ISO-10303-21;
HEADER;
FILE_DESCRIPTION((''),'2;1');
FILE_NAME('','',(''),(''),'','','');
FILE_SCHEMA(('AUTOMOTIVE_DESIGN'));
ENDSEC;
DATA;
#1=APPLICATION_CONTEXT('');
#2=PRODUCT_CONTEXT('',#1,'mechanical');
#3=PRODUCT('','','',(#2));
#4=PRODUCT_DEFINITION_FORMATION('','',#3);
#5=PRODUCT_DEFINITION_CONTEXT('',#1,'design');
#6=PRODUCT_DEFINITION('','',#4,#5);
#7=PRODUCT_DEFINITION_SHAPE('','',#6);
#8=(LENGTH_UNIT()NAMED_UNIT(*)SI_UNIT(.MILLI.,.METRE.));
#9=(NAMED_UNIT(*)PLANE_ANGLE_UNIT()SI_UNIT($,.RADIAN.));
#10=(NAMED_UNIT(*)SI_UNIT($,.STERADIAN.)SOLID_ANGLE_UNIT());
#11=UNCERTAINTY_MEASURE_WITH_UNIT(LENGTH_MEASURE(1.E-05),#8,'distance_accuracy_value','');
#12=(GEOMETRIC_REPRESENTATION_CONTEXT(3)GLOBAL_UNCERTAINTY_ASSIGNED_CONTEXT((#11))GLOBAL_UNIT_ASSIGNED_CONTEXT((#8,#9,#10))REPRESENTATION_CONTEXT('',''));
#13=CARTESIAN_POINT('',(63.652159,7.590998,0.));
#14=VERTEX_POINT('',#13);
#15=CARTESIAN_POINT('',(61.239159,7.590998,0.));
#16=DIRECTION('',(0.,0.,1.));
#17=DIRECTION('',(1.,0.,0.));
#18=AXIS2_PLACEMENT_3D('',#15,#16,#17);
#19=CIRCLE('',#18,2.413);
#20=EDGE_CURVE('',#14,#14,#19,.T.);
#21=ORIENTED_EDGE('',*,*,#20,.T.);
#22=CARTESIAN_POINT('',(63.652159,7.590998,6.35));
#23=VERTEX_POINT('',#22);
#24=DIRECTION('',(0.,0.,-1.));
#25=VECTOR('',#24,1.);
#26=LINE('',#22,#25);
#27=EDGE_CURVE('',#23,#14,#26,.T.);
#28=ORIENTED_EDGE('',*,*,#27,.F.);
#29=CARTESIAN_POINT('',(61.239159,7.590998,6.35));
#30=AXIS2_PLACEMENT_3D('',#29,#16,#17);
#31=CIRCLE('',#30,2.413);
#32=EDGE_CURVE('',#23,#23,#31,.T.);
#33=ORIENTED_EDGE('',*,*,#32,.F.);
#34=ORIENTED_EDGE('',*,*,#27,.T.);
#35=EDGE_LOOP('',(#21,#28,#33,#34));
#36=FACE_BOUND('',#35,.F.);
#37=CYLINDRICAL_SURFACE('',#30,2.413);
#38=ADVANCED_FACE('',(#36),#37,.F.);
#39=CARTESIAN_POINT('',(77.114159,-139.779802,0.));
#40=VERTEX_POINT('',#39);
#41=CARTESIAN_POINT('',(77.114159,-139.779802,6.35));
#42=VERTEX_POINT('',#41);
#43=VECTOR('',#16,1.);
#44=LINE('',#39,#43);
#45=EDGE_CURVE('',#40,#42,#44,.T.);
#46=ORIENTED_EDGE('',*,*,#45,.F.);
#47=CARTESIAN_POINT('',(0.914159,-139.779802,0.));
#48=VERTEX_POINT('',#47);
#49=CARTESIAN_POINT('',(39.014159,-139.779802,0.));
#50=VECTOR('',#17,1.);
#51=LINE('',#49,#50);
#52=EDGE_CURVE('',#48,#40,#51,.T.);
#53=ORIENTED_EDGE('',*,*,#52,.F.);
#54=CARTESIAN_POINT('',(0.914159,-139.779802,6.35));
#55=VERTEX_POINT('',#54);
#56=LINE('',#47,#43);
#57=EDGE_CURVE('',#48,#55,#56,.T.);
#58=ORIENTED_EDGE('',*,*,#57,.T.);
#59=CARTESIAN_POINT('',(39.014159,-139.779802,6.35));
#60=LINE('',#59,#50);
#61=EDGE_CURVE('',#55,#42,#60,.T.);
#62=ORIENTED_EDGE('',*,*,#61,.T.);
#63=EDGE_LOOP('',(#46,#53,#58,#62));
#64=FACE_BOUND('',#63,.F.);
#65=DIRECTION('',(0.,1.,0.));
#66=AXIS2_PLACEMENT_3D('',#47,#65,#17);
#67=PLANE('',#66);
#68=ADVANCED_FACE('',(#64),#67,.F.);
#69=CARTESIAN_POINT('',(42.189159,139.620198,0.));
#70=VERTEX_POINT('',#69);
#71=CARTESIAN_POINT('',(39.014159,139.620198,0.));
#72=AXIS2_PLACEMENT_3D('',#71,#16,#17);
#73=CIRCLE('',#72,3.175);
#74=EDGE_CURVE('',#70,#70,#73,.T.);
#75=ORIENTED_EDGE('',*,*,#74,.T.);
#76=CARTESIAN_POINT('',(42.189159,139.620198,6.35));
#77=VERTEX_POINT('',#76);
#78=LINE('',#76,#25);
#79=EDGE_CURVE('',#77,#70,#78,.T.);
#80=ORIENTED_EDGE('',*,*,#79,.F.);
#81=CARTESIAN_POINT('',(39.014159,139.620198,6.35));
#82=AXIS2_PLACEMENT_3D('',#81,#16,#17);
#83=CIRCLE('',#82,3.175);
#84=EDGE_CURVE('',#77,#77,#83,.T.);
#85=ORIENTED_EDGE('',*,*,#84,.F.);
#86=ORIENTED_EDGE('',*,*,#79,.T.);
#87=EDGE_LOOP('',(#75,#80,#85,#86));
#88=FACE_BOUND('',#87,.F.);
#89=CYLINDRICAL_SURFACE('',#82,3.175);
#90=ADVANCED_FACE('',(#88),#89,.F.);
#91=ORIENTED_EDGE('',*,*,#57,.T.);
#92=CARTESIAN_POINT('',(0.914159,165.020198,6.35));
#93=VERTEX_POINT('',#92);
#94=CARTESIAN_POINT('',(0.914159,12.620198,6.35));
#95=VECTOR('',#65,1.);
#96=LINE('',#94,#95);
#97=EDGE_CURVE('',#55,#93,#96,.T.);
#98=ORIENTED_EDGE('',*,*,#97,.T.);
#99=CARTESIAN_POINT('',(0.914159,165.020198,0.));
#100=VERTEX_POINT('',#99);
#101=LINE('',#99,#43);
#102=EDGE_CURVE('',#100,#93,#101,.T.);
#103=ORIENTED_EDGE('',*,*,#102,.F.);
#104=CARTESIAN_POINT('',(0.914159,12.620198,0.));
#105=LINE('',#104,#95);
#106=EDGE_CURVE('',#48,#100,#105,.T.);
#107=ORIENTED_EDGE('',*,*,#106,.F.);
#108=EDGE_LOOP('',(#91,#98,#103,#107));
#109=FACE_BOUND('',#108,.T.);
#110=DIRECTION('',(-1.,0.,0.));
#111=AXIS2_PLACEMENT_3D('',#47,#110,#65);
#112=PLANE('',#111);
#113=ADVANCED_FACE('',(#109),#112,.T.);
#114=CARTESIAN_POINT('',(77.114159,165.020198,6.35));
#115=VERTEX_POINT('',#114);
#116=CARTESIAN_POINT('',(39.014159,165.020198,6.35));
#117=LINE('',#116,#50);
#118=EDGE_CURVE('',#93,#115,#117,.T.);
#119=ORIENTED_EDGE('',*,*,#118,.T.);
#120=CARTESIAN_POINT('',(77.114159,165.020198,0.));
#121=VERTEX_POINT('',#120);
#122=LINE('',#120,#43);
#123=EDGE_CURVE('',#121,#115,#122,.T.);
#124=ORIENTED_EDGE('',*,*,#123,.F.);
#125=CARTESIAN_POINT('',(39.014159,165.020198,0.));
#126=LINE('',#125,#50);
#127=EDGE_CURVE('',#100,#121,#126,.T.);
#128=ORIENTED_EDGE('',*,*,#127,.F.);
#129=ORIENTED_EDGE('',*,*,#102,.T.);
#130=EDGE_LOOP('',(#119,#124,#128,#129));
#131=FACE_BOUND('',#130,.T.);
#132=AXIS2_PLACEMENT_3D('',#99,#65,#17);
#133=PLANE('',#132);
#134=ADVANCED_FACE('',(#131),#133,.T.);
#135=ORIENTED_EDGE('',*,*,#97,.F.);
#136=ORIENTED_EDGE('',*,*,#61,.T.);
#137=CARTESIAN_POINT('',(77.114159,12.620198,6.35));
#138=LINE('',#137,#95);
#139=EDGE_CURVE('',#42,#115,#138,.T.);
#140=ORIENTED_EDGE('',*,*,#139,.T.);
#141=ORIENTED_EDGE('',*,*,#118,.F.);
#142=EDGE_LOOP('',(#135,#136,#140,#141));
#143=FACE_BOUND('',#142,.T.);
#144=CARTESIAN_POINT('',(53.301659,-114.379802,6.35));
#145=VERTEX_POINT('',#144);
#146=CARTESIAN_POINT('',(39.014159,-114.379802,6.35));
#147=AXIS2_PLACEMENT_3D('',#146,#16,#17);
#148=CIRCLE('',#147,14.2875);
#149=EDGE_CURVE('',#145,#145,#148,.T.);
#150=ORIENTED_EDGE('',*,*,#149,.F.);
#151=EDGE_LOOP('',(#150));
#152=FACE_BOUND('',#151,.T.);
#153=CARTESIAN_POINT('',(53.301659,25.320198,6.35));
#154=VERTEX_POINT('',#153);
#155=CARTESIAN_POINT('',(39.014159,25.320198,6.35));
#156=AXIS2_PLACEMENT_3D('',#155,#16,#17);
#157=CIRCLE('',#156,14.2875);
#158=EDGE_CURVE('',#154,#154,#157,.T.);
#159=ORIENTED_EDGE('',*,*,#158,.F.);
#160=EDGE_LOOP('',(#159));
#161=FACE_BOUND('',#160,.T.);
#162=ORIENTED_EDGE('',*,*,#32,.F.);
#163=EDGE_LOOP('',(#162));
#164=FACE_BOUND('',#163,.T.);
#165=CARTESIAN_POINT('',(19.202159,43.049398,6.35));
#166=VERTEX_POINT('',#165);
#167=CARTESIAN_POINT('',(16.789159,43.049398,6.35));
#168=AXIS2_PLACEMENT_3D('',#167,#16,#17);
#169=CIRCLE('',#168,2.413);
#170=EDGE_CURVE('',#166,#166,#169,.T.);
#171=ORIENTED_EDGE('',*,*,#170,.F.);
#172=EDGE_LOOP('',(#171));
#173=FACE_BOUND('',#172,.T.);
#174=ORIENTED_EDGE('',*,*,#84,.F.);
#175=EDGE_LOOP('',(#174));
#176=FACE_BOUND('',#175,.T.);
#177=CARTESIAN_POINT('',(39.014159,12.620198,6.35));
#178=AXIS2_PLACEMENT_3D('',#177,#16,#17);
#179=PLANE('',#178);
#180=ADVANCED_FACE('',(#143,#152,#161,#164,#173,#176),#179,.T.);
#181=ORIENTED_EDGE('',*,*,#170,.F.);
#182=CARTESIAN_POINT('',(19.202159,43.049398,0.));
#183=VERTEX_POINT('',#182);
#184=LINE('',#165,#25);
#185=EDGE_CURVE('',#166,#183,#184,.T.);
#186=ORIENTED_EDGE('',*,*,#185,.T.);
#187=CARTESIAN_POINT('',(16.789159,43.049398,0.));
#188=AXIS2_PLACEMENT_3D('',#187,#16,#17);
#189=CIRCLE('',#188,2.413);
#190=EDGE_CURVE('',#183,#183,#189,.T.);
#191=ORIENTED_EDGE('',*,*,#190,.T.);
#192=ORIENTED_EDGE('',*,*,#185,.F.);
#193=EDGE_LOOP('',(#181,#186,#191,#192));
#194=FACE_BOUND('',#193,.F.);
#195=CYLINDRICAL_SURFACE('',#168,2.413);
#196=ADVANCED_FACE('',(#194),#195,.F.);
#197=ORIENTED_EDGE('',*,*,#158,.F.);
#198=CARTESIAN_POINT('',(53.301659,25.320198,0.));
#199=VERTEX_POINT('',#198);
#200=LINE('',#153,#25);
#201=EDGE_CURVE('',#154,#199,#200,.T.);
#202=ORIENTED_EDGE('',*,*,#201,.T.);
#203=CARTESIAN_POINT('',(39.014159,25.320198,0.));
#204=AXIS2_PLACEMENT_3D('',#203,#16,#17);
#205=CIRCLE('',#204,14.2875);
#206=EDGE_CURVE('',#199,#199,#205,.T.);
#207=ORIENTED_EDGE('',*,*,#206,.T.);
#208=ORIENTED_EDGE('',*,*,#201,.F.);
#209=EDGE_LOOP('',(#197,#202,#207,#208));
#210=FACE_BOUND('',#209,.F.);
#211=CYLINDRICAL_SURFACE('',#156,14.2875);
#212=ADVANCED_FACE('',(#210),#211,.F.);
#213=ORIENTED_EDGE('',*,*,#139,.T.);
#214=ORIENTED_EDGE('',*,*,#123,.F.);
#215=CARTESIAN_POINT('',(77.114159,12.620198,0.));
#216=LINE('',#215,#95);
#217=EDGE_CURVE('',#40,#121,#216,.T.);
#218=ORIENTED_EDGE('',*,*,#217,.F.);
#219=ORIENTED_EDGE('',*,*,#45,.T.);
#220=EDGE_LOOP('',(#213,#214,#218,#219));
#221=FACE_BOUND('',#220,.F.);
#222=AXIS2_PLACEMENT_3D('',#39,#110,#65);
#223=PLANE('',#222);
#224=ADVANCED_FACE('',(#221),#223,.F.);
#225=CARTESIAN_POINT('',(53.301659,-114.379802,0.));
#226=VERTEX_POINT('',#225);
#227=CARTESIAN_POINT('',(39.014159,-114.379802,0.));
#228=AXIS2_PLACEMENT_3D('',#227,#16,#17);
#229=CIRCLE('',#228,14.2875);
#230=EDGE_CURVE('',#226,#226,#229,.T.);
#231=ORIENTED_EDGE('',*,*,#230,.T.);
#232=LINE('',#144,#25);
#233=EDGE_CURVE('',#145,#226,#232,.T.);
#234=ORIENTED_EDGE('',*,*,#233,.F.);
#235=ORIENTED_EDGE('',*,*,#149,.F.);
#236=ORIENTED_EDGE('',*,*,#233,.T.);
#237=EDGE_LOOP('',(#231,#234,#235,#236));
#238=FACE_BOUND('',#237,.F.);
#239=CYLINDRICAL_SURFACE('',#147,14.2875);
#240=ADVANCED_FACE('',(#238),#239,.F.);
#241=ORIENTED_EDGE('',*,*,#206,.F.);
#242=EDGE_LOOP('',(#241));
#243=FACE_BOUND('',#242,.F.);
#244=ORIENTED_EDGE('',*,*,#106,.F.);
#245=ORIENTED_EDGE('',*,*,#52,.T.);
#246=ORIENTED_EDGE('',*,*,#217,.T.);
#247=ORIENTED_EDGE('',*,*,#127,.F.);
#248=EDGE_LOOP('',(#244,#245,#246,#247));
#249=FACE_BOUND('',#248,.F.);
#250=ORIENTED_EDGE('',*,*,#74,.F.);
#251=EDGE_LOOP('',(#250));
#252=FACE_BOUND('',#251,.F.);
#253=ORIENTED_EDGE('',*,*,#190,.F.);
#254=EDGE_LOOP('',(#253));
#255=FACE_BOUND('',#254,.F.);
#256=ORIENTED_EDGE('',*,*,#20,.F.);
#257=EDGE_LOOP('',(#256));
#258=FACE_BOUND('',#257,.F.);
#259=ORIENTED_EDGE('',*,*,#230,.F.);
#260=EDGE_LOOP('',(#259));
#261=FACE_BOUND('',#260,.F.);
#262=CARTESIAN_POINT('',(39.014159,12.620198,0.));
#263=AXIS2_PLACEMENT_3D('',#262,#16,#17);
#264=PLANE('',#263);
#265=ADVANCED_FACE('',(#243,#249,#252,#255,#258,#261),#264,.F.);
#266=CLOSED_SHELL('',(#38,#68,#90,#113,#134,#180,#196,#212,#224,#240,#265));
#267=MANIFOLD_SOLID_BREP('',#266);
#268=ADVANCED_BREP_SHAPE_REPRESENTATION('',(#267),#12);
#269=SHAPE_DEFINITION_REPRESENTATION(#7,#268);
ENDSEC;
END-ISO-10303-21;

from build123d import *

# Parameters (mm, degrees)
F0_W      = 76.2
F0_H      = 304.8
F1_DEPTH  = 6.35
F2_R      = 3.175
F3_DEPTH  = 6.35
F4_R      = 14.2875
F5_DEPTH  = 6.35
F6_R      = 14.2875
F7_DEPTH  = 6.35
F8_R      = 2.413
F10_DEPTH = 6.35
F9_R      = 2.413
F11_DEPTH = 6.35


with BuildPart() as f1:
    # F0 (on Top) → F1 (new body)
    with BuildSketch(Plane.XY):
        with Locations((39.014159, 12.620198)):
            Rectangle(F0_W, F0_H)
    extrude(amount=F1_DEPTH)

    # F2 (on face) → F3 (cut)
    with BuildSketch(Plane.XY.offset(6.35)):
        with Locations((39.014159, 139.620198)):
            Circle(F2_R)
    extrude(amount=-F3_DEPTH, mode=Mode.SUBTRACT)

    # F4 (on face) → F5 (cut)
    with BuildSketch(Plane.XY.offset(6.35)):
        with Locations((39.014159, -114.379802)):
            Circle(F4_R)
    extrude(amount=-F5_DEPTH, mode=Mode.SUBTRACT)

    # F6 (on face) → F7 (cut)
    with BuildSketch(Plane.XY.offset(6.35)):
        with Locations((39.014159, 25.320198)):
            Circle(F6_R)
    extrude(amount=-F7_DEPTH, mode=Mode.SUBTRACT)

    # F8 (on face) → F10 (cut)
    with BuildSketch(Plane.XY.offset(6.35)):
        with Locations((61.239159, 7.590998)):
            Circle(F8_R)
    extrude(amount=-F10_DEPTH, mode=Mode.SUBTRACT)

    # F9 (on face) → F11 (cut)
    with BuildSketch(Plane.XY.offset(6.35)):
        with Locations((16.789159, 43.049398)):
            Circle(F9_R)
    extrude(amount=-F11_DEPTH, mode=Mode.SUBTRACT)


solid = f1.part
